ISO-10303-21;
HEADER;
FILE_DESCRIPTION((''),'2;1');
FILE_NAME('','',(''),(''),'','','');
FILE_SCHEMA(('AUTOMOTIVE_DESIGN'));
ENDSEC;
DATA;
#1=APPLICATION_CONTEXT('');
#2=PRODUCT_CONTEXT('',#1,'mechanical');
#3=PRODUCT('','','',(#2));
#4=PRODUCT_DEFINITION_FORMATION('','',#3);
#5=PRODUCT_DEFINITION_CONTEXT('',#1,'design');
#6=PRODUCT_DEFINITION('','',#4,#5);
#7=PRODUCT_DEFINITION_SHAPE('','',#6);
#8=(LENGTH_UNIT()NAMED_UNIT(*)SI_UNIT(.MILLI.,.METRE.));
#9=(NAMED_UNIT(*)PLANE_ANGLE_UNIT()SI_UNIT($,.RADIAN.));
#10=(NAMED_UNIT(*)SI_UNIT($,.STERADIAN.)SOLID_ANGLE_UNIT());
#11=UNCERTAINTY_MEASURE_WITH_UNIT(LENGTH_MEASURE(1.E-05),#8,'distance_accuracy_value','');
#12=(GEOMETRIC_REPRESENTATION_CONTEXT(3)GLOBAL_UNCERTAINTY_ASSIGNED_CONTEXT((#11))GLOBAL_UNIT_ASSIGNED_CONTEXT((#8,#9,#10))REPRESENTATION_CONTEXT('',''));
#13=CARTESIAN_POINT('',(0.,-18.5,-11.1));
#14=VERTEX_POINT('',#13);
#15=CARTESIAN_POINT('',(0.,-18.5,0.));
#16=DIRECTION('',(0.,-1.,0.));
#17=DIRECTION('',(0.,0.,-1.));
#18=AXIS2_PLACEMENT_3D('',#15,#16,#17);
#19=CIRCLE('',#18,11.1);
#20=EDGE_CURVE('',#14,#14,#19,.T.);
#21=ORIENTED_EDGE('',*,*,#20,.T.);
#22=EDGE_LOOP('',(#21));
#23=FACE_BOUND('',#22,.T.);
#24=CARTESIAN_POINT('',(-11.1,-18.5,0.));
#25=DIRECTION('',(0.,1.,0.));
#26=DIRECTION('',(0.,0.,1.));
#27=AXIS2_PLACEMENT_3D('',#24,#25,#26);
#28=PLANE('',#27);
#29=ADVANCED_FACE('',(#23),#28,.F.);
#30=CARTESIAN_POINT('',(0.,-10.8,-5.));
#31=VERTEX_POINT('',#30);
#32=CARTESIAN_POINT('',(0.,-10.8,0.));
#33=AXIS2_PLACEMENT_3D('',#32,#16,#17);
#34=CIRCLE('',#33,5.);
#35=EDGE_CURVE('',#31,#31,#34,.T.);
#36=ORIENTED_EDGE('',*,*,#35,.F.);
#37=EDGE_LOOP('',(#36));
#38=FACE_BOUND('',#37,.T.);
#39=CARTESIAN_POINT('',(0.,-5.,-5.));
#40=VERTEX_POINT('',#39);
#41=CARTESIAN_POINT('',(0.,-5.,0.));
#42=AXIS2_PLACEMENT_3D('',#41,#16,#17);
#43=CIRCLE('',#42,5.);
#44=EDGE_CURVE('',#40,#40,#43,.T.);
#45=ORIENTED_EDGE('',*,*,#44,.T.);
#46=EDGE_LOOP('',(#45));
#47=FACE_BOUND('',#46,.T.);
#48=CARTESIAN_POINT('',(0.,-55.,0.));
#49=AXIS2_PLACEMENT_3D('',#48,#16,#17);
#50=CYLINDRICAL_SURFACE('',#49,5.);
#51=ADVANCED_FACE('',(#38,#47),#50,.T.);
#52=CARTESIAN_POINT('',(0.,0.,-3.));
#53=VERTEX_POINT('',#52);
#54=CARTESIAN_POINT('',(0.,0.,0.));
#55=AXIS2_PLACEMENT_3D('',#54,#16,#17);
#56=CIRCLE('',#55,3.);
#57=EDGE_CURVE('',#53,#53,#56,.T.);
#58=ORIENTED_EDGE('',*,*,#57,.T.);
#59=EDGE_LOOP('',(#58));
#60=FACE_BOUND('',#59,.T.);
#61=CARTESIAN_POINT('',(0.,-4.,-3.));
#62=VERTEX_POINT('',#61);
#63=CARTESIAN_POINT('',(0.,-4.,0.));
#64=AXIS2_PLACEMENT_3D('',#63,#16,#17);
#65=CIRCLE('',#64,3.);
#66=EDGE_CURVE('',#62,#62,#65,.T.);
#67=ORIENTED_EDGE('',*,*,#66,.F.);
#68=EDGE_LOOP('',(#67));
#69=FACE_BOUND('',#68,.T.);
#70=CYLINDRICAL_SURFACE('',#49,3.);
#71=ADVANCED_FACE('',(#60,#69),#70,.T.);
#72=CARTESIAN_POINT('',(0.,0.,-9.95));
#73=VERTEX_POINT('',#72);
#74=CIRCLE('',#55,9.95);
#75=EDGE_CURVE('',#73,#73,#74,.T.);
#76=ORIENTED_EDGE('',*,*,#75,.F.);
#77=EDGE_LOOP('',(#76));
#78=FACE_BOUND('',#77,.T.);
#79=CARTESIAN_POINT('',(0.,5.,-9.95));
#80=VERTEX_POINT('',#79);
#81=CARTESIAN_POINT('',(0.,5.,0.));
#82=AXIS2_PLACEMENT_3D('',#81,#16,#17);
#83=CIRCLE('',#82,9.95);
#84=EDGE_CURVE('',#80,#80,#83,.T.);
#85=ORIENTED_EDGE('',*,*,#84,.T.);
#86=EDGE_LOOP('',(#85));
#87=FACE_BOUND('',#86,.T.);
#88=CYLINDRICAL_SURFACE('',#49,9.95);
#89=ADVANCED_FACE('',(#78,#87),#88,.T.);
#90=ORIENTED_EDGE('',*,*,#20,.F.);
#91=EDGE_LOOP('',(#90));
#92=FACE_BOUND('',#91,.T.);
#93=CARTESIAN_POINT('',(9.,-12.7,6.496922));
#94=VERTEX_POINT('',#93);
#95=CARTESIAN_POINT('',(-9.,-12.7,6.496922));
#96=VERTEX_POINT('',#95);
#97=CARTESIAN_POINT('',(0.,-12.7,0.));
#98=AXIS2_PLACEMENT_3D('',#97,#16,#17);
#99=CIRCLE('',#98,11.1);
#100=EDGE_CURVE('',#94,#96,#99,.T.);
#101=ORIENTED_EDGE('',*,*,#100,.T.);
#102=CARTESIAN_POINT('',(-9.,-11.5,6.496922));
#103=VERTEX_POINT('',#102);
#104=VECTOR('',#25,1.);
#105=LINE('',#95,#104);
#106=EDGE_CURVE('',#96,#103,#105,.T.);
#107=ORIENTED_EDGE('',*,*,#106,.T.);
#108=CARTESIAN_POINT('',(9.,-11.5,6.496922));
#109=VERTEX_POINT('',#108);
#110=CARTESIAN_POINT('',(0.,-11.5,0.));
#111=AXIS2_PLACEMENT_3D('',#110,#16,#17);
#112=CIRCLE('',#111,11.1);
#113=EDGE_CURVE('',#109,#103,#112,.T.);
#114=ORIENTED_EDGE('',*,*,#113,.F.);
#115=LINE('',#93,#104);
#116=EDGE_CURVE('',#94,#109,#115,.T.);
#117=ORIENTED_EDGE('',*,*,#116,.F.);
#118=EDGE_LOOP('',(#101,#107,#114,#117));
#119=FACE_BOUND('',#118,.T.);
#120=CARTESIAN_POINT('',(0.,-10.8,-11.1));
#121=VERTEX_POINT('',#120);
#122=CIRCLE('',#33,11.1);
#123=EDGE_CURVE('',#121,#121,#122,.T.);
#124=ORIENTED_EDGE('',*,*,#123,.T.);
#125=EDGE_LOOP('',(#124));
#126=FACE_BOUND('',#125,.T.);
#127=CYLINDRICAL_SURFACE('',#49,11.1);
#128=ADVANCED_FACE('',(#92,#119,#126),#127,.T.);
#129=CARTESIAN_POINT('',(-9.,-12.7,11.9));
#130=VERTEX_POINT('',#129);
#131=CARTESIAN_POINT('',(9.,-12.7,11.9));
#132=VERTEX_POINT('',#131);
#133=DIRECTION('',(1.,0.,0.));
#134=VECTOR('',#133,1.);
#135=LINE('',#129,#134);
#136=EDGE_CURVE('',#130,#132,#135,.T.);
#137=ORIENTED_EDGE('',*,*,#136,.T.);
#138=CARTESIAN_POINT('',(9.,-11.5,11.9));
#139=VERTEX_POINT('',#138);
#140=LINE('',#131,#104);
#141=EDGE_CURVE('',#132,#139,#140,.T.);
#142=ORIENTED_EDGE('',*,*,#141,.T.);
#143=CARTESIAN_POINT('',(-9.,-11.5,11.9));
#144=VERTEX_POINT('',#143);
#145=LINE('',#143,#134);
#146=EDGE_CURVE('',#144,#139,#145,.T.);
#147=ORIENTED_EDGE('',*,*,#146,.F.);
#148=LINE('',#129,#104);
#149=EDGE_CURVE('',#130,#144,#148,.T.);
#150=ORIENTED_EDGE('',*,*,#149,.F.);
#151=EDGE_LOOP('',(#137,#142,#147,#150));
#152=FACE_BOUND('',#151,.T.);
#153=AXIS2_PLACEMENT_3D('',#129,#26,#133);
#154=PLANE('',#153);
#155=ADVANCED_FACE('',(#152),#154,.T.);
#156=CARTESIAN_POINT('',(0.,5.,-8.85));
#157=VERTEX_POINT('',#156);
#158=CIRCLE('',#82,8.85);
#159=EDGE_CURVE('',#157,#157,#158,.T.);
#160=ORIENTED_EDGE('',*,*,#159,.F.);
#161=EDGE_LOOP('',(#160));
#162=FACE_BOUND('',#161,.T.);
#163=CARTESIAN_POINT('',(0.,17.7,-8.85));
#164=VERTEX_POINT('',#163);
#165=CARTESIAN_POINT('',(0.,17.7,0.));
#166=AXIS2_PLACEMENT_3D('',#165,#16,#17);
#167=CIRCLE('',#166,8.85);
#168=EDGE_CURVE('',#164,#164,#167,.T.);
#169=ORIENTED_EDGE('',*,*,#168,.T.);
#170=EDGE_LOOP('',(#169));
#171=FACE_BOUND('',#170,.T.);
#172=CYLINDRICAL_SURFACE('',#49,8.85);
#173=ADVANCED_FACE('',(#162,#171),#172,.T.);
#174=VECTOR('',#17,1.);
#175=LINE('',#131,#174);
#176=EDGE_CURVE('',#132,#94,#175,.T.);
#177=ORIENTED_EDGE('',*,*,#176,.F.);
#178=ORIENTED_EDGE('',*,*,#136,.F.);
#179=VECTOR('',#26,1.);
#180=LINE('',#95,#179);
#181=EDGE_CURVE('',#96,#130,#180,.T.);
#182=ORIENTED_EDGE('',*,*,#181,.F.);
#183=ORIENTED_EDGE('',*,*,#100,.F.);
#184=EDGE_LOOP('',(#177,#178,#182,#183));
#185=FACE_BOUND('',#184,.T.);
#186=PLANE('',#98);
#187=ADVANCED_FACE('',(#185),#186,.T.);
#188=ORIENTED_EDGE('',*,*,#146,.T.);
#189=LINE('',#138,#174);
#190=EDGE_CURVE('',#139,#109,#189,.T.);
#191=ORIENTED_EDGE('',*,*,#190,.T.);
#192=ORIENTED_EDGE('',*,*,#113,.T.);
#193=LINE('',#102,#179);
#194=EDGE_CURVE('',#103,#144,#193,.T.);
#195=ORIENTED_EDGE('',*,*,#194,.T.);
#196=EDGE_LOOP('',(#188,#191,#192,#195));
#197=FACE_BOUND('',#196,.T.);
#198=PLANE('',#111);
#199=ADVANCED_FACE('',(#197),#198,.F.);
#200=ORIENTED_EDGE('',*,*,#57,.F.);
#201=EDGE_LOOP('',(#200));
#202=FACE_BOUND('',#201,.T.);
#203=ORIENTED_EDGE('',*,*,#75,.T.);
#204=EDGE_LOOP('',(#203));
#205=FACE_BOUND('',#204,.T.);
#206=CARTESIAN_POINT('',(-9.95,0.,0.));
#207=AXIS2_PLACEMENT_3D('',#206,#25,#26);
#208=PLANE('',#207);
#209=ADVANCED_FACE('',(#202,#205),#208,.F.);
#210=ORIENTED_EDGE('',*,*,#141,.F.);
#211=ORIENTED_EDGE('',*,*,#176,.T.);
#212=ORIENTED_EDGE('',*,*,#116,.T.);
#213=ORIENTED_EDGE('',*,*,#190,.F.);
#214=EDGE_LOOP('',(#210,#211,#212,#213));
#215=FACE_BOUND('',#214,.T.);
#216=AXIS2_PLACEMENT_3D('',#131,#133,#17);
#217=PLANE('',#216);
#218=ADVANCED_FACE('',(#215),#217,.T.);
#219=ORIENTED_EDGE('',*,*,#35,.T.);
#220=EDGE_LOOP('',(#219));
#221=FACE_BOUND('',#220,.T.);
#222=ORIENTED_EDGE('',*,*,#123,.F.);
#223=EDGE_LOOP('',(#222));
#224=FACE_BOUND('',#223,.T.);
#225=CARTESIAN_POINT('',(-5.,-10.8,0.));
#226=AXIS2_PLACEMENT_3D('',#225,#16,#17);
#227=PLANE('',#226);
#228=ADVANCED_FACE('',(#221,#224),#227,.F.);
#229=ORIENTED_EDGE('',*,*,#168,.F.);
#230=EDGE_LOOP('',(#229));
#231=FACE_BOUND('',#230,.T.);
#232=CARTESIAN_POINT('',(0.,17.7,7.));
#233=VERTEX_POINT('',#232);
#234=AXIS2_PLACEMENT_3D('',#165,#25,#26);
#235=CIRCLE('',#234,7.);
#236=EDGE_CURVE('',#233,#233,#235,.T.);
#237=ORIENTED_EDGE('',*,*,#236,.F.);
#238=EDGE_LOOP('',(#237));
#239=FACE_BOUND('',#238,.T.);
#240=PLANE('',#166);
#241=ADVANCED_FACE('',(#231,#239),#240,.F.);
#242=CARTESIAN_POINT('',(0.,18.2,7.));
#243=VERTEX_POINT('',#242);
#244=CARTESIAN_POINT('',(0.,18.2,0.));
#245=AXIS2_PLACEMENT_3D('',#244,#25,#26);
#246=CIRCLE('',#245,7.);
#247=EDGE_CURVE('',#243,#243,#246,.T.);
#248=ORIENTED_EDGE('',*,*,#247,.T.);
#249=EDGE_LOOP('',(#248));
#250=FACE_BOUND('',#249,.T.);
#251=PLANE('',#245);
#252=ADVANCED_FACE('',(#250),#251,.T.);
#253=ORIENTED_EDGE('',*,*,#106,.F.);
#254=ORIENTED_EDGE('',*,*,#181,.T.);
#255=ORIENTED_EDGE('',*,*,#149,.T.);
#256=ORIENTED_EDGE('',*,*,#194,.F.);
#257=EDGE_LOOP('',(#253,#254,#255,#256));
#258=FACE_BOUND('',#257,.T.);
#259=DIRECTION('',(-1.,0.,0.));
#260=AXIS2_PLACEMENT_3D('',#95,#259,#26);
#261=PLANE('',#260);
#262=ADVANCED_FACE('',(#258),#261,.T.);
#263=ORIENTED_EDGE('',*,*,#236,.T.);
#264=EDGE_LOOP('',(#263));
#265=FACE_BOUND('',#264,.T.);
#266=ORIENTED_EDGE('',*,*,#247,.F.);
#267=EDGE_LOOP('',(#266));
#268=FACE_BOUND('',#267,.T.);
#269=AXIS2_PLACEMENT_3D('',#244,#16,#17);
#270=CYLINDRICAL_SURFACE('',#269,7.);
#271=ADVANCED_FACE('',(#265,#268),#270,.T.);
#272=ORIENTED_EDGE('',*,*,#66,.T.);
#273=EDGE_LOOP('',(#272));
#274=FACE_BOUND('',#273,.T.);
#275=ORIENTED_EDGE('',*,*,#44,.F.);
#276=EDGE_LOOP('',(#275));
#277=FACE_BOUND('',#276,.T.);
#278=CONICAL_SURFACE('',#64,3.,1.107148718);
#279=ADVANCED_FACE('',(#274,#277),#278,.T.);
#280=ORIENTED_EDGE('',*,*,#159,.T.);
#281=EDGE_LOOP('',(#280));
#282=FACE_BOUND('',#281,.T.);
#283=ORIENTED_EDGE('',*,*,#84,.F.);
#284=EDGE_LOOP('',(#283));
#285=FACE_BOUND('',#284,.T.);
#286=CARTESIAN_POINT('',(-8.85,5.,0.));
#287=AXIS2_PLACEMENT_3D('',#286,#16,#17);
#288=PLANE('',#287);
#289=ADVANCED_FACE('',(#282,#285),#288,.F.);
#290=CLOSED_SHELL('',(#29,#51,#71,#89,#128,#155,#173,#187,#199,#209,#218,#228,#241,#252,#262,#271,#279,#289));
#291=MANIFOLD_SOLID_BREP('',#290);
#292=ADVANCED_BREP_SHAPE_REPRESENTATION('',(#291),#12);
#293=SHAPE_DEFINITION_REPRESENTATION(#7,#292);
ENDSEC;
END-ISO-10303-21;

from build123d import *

# Parameters (mm, degrees)
BOSS_EXTRU_1_START = -5.8
BOSS_EXTRU_1_DEPTH = 1.2
ESQUISSE4_R        = 7
BOSS_EXTRU_2_DEPTH = 0.5


with BuildPart() as part:
    # Esquisse2 → Révolution1 (revolve)
    with BuildSketch(Plane.XY, mode=Mode.PRIVATE) as r_volution1_sk:
        Polygon((0, 17.7), (-8.85, 17.7), (-8.85, 5), (-9.95, 5), (-9.95, 0), (-3, 0), (-3, -4), (-5, -5), (-5, -10.8), (-11.1, -10.8), (-11.1, -18.5), (0, -18.5), align=None)
    revolve(r_volution1_sk.sketch.rotate(Axis((0, -55, 0), (0, 1, 0)), 270), axis=Axis((0, -55, 0), (0, 1, 0)))

    # Esquisse3 → Boss.-Extru.1 (add)
    with BuildSketch(Plane.XZ.offset(18.5).offset(BOSS_EXTRU_1_START)):
        with BuildLine():
            Line((-9, 6.496922348), (-9, 11.9))
            Line((-9, 11.9), (9, 11.9))
            Line((9, 11.9), (9, 6.496922348))
            ThreePointArc((9, 6.496922348), (0, 11.1), (-9, 6.496922348))
        make_face()
    extrude(amount=-BOSS_EXTRU_1_DEPTH)

    # Esquisse4 → Boss.-Extru.2 (add)
    with BuildSketch(Plane(origin=(0, 17.7, 0), x_dir=(1, 0, 0), z_dir=(0, 1, 0))):
        with Locations(Location((0, 0, 0), (0, 0, 270))):
            Circle(ESQUISSE4_R)
    extrude(amount=BOSS_EXTRU_2_DEPTH)


solid = part.part
